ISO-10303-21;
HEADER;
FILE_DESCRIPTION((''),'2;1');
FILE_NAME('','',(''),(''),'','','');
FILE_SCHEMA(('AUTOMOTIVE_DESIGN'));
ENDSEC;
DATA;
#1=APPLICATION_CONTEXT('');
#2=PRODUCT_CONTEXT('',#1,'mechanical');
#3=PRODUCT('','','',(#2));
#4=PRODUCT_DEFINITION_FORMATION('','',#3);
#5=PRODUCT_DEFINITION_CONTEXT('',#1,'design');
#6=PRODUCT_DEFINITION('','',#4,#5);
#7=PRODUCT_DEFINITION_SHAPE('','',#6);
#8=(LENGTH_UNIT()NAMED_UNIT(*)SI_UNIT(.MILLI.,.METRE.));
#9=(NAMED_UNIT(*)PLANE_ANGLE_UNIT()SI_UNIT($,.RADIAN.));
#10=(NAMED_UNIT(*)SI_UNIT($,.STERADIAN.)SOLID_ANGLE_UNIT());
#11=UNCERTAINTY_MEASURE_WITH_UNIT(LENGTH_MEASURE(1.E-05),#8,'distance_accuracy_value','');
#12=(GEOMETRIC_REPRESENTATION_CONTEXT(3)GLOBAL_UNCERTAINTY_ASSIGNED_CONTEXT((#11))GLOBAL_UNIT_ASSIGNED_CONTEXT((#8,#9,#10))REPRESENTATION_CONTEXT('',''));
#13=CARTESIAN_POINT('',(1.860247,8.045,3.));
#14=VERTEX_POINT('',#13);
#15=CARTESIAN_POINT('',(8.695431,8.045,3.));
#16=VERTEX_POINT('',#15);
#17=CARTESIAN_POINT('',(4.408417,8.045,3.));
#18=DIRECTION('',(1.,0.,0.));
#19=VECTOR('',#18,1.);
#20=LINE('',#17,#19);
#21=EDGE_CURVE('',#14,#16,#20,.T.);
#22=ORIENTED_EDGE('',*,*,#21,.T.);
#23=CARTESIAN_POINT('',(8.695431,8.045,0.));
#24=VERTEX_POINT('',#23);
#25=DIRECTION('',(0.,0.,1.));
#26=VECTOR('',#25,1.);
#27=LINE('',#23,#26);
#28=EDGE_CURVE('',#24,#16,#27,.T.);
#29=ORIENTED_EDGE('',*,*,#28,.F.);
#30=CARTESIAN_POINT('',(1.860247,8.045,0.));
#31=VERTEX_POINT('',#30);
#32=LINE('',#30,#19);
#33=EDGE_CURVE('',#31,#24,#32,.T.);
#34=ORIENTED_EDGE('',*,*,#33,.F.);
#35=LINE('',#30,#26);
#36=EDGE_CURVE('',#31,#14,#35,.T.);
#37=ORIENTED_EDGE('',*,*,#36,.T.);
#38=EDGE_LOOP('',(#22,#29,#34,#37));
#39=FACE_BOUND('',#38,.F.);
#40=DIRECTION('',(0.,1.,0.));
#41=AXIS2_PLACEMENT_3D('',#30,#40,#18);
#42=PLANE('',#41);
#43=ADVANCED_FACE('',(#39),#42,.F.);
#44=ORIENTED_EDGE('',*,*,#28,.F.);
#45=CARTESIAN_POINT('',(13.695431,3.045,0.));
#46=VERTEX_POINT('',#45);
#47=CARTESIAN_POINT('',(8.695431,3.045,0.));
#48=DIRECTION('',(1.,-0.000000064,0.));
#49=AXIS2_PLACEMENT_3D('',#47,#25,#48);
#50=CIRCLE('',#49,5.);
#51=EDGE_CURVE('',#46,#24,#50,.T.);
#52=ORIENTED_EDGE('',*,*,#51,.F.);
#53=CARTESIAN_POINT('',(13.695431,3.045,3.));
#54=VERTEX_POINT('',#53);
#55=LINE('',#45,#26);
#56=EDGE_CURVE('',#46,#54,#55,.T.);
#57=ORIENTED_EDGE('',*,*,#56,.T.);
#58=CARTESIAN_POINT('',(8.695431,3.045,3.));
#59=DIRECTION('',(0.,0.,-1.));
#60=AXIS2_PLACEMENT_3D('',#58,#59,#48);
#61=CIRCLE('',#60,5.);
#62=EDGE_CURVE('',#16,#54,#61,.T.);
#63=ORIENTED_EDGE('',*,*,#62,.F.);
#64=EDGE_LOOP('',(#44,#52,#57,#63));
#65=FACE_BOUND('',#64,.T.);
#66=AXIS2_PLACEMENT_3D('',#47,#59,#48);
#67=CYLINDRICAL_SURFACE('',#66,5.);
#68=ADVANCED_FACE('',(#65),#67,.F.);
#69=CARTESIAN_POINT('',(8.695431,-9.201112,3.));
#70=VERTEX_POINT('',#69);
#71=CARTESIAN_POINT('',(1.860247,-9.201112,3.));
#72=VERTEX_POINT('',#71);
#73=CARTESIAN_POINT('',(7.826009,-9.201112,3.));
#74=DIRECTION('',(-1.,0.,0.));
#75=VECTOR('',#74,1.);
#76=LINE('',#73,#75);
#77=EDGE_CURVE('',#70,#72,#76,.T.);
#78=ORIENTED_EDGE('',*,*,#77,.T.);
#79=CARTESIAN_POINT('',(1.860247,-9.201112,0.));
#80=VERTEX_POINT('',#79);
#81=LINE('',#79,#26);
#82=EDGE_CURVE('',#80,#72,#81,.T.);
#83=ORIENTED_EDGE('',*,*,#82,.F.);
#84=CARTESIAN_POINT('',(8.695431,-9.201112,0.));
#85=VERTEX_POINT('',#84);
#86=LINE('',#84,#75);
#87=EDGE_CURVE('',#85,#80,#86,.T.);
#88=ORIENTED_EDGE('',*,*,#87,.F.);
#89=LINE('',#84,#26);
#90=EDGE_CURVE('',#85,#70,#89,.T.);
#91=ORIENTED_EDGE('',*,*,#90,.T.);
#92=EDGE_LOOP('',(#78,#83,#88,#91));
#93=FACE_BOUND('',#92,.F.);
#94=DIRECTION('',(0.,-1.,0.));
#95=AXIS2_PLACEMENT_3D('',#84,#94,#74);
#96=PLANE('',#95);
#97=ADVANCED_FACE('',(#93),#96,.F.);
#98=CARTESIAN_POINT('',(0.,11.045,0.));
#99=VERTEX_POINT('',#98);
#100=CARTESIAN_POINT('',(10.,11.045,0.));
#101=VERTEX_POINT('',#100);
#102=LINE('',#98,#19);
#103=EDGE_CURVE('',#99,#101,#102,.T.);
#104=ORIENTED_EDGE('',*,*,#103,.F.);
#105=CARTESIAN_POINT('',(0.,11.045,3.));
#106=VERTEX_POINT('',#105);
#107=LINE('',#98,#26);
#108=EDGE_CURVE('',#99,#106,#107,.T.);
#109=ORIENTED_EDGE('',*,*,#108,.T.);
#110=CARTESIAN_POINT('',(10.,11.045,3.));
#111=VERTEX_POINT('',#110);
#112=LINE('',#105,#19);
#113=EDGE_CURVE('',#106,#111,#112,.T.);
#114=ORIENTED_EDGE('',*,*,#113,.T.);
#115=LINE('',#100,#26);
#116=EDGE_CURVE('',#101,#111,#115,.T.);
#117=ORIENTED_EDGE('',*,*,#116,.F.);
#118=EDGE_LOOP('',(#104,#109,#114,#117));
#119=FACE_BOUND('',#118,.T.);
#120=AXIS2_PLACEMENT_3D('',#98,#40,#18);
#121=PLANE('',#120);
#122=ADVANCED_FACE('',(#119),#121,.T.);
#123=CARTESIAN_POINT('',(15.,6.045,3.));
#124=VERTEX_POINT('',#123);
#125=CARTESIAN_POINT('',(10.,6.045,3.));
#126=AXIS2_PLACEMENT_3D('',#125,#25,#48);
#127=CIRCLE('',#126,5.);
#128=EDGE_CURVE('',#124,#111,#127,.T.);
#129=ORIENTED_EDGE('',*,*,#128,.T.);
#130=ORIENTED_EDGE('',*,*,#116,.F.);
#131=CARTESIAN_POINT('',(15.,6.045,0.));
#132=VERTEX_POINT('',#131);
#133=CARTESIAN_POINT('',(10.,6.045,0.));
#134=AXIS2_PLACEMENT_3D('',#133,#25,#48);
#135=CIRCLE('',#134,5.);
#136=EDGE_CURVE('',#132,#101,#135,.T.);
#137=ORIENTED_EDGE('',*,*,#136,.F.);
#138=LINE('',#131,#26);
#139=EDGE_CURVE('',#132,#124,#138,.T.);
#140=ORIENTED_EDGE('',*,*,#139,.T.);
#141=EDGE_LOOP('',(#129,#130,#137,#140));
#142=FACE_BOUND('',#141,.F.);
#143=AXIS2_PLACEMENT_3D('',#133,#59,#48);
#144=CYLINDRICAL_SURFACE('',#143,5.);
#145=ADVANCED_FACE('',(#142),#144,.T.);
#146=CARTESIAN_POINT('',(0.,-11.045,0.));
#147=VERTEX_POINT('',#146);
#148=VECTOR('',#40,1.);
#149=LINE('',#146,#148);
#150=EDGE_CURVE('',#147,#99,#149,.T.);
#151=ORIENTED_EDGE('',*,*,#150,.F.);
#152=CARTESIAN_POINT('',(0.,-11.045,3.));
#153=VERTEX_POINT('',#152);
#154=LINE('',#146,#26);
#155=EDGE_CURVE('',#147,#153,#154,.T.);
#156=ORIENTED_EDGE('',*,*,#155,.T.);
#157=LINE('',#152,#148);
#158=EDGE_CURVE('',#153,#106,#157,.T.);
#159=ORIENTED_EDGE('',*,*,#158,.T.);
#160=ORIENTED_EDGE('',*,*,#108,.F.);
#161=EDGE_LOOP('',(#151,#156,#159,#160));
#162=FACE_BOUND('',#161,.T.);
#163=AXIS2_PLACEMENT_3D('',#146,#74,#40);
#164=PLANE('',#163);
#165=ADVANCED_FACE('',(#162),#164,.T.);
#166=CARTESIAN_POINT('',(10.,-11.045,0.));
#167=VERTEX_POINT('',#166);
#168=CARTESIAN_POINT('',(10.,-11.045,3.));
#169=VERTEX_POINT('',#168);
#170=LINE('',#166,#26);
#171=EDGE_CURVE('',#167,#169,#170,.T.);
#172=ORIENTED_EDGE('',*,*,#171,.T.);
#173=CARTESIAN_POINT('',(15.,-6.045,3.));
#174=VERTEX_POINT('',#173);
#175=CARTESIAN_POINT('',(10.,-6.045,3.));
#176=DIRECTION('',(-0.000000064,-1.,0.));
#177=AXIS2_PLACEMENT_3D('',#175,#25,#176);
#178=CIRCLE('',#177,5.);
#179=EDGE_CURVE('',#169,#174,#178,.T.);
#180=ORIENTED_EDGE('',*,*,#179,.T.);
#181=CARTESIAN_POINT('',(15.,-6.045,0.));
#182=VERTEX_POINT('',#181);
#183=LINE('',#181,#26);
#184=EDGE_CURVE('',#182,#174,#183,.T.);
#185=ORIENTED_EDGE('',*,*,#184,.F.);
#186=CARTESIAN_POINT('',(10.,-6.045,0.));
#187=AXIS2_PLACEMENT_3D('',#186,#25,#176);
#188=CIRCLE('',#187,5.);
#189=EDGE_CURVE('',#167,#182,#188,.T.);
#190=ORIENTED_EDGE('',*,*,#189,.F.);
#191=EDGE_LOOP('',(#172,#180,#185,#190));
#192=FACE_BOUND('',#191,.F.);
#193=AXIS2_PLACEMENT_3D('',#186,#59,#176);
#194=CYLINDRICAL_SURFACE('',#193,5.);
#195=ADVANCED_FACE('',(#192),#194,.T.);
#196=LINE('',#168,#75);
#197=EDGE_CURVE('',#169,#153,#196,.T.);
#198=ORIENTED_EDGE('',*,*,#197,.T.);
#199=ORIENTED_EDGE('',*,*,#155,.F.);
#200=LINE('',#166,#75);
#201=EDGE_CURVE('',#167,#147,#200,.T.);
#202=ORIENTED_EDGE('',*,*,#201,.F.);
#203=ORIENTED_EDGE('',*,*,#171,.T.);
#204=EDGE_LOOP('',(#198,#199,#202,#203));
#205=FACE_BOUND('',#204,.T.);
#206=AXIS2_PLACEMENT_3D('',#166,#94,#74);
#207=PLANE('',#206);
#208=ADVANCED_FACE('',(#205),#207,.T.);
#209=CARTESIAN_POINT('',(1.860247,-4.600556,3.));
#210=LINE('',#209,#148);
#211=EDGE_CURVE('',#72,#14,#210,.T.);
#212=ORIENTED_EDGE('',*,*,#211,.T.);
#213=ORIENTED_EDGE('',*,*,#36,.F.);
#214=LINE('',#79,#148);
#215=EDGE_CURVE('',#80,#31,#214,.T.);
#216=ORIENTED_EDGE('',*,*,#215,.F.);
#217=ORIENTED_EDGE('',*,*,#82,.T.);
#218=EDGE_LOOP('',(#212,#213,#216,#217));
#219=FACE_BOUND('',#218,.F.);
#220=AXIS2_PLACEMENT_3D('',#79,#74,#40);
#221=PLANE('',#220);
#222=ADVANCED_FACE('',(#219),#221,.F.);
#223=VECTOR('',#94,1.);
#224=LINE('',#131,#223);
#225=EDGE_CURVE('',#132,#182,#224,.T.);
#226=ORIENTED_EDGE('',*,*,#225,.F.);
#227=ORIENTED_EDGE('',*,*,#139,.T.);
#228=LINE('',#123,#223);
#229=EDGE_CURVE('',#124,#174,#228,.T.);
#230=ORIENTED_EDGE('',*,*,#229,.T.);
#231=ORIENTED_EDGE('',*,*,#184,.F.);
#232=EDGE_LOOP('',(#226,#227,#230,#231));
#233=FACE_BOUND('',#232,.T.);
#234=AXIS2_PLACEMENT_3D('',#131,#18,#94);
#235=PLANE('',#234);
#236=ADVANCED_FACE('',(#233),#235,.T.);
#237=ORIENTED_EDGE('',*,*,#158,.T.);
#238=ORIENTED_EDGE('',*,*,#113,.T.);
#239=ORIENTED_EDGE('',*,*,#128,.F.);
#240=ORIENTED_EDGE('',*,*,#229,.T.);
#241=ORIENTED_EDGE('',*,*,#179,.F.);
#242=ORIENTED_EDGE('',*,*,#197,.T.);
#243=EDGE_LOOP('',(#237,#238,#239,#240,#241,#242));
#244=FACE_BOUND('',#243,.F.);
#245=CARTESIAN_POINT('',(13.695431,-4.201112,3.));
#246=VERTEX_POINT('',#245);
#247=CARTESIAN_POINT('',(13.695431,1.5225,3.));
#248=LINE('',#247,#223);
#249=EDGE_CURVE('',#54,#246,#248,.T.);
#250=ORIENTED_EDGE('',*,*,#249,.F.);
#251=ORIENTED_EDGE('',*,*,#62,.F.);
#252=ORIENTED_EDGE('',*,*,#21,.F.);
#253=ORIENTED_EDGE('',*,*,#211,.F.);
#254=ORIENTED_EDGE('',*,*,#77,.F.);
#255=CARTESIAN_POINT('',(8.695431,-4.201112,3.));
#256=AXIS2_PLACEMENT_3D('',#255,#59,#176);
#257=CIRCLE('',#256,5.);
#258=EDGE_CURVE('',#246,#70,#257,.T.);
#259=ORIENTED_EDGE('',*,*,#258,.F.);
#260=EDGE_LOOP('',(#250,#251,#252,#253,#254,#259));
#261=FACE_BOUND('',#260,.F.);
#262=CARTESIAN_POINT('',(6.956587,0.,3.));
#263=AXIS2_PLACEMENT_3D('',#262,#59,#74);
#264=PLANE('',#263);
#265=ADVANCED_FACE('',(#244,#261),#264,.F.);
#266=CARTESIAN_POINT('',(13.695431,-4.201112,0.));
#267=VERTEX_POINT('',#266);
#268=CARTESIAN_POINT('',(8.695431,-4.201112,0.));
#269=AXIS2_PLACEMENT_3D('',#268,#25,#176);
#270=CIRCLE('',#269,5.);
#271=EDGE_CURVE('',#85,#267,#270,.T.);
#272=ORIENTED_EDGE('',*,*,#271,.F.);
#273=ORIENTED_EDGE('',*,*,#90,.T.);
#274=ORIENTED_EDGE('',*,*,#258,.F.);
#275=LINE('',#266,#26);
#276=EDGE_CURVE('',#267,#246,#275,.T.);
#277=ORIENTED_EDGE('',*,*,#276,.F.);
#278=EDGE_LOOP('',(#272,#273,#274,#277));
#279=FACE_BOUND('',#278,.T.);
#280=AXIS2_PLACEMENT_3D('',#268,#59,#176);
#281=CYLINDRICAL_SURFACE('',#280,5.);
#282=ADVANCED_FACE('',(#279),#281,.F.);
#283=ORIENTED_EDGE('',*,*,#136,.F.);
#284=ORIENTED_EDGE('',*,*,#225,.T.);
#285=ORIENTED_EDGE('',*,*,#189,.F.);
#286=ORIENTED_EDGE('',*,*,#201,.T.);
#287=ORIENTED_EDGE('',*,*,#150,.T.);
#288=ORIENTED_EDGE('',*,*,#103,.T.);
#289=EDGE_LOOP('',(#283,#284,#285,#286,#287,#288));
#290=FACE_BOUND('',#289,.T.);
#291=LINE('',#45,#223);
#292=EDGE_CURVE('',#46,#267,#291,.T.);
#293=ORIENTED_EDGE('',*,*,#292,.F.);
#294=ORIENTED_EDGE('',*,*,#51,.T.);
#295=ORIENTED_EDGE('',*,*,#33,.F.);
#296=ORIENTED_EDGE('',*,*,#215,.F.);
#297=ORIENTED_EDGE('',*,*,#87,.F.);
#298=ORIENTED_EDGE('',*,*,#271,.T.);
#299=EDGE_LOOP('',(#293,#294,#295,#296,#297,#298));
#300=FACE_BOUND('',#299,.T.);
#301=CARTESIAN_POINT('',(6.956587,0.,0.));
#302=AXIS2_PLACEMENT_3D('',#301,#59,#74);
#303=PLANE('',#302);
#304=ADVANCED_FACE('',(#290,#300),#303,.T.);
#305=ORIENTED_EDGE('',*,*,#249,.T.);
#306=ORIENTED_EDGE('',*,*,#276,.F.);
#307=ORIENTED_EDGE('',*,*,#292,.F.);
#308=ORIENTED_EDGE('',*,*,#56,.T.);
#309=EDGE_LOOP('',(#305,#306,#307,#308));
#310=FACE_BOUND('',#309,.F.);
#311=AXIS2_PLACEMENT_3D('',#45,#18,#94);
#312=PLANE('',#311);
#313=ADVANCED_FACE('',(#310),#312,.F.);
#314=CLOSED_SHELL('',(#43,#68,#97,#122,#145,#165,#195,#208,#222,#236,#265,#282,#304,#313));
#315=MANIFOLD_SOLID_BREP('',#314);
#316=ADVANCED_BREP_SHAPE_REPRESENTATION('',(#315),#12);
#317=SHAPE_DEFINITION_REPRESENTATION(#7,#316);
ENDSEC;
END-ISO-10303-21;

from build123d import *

# Parameters (mm, degrees)
PAD_DEPTH    = 3
POCKET_DEPTH = 3.001


with BuildPart() as part:
    # Sketch → Pad (new body)
    with BuildSketch(Plane.XY):
        with BuildLine():
            Line((0, 11.045), (10, 11.045))
            ThreePointArc((15, 6.045), (13.535534, 9.580534), (10, 11.045))
            Line((15, 6.045), (15, -6.045))
            ThreePointArc((10, -11.045), (13.535534, -9.580534), (15, -6.045))
            Line((10, -11.045), (0, -11.045))
            Line((0, -11.045), (0, 11.045))
        make_face()
    extrude(amount=PAD_DEPTH)

    # Sketch001 → Pocket (cut, through all)
    with BuildSketch(Plane.XY):
        with BuildLine():
            Line((1.860247, 8.045), (8.695431, 8.045))
            ThreePointArc((13.695431, 3.045), (12.230965, 6.580534), (8.695431, 8.045))
            Line((13.695431, 3.045), (13.695431, -4.201112))
            ThreePointArc((8.695431, -9.201112), (12.230965, -7.736646), (13.695431, -4.201112))
            Line((8.695431, -9.201112), (1.860247, -9.201112))
            Line((1.860247, -9.201112), (1.860247, 8.045))
        make_face()
    extrude(amount=POCKET_DEPTH, mode=Mode.SUBTRACT)


solid = part.part
